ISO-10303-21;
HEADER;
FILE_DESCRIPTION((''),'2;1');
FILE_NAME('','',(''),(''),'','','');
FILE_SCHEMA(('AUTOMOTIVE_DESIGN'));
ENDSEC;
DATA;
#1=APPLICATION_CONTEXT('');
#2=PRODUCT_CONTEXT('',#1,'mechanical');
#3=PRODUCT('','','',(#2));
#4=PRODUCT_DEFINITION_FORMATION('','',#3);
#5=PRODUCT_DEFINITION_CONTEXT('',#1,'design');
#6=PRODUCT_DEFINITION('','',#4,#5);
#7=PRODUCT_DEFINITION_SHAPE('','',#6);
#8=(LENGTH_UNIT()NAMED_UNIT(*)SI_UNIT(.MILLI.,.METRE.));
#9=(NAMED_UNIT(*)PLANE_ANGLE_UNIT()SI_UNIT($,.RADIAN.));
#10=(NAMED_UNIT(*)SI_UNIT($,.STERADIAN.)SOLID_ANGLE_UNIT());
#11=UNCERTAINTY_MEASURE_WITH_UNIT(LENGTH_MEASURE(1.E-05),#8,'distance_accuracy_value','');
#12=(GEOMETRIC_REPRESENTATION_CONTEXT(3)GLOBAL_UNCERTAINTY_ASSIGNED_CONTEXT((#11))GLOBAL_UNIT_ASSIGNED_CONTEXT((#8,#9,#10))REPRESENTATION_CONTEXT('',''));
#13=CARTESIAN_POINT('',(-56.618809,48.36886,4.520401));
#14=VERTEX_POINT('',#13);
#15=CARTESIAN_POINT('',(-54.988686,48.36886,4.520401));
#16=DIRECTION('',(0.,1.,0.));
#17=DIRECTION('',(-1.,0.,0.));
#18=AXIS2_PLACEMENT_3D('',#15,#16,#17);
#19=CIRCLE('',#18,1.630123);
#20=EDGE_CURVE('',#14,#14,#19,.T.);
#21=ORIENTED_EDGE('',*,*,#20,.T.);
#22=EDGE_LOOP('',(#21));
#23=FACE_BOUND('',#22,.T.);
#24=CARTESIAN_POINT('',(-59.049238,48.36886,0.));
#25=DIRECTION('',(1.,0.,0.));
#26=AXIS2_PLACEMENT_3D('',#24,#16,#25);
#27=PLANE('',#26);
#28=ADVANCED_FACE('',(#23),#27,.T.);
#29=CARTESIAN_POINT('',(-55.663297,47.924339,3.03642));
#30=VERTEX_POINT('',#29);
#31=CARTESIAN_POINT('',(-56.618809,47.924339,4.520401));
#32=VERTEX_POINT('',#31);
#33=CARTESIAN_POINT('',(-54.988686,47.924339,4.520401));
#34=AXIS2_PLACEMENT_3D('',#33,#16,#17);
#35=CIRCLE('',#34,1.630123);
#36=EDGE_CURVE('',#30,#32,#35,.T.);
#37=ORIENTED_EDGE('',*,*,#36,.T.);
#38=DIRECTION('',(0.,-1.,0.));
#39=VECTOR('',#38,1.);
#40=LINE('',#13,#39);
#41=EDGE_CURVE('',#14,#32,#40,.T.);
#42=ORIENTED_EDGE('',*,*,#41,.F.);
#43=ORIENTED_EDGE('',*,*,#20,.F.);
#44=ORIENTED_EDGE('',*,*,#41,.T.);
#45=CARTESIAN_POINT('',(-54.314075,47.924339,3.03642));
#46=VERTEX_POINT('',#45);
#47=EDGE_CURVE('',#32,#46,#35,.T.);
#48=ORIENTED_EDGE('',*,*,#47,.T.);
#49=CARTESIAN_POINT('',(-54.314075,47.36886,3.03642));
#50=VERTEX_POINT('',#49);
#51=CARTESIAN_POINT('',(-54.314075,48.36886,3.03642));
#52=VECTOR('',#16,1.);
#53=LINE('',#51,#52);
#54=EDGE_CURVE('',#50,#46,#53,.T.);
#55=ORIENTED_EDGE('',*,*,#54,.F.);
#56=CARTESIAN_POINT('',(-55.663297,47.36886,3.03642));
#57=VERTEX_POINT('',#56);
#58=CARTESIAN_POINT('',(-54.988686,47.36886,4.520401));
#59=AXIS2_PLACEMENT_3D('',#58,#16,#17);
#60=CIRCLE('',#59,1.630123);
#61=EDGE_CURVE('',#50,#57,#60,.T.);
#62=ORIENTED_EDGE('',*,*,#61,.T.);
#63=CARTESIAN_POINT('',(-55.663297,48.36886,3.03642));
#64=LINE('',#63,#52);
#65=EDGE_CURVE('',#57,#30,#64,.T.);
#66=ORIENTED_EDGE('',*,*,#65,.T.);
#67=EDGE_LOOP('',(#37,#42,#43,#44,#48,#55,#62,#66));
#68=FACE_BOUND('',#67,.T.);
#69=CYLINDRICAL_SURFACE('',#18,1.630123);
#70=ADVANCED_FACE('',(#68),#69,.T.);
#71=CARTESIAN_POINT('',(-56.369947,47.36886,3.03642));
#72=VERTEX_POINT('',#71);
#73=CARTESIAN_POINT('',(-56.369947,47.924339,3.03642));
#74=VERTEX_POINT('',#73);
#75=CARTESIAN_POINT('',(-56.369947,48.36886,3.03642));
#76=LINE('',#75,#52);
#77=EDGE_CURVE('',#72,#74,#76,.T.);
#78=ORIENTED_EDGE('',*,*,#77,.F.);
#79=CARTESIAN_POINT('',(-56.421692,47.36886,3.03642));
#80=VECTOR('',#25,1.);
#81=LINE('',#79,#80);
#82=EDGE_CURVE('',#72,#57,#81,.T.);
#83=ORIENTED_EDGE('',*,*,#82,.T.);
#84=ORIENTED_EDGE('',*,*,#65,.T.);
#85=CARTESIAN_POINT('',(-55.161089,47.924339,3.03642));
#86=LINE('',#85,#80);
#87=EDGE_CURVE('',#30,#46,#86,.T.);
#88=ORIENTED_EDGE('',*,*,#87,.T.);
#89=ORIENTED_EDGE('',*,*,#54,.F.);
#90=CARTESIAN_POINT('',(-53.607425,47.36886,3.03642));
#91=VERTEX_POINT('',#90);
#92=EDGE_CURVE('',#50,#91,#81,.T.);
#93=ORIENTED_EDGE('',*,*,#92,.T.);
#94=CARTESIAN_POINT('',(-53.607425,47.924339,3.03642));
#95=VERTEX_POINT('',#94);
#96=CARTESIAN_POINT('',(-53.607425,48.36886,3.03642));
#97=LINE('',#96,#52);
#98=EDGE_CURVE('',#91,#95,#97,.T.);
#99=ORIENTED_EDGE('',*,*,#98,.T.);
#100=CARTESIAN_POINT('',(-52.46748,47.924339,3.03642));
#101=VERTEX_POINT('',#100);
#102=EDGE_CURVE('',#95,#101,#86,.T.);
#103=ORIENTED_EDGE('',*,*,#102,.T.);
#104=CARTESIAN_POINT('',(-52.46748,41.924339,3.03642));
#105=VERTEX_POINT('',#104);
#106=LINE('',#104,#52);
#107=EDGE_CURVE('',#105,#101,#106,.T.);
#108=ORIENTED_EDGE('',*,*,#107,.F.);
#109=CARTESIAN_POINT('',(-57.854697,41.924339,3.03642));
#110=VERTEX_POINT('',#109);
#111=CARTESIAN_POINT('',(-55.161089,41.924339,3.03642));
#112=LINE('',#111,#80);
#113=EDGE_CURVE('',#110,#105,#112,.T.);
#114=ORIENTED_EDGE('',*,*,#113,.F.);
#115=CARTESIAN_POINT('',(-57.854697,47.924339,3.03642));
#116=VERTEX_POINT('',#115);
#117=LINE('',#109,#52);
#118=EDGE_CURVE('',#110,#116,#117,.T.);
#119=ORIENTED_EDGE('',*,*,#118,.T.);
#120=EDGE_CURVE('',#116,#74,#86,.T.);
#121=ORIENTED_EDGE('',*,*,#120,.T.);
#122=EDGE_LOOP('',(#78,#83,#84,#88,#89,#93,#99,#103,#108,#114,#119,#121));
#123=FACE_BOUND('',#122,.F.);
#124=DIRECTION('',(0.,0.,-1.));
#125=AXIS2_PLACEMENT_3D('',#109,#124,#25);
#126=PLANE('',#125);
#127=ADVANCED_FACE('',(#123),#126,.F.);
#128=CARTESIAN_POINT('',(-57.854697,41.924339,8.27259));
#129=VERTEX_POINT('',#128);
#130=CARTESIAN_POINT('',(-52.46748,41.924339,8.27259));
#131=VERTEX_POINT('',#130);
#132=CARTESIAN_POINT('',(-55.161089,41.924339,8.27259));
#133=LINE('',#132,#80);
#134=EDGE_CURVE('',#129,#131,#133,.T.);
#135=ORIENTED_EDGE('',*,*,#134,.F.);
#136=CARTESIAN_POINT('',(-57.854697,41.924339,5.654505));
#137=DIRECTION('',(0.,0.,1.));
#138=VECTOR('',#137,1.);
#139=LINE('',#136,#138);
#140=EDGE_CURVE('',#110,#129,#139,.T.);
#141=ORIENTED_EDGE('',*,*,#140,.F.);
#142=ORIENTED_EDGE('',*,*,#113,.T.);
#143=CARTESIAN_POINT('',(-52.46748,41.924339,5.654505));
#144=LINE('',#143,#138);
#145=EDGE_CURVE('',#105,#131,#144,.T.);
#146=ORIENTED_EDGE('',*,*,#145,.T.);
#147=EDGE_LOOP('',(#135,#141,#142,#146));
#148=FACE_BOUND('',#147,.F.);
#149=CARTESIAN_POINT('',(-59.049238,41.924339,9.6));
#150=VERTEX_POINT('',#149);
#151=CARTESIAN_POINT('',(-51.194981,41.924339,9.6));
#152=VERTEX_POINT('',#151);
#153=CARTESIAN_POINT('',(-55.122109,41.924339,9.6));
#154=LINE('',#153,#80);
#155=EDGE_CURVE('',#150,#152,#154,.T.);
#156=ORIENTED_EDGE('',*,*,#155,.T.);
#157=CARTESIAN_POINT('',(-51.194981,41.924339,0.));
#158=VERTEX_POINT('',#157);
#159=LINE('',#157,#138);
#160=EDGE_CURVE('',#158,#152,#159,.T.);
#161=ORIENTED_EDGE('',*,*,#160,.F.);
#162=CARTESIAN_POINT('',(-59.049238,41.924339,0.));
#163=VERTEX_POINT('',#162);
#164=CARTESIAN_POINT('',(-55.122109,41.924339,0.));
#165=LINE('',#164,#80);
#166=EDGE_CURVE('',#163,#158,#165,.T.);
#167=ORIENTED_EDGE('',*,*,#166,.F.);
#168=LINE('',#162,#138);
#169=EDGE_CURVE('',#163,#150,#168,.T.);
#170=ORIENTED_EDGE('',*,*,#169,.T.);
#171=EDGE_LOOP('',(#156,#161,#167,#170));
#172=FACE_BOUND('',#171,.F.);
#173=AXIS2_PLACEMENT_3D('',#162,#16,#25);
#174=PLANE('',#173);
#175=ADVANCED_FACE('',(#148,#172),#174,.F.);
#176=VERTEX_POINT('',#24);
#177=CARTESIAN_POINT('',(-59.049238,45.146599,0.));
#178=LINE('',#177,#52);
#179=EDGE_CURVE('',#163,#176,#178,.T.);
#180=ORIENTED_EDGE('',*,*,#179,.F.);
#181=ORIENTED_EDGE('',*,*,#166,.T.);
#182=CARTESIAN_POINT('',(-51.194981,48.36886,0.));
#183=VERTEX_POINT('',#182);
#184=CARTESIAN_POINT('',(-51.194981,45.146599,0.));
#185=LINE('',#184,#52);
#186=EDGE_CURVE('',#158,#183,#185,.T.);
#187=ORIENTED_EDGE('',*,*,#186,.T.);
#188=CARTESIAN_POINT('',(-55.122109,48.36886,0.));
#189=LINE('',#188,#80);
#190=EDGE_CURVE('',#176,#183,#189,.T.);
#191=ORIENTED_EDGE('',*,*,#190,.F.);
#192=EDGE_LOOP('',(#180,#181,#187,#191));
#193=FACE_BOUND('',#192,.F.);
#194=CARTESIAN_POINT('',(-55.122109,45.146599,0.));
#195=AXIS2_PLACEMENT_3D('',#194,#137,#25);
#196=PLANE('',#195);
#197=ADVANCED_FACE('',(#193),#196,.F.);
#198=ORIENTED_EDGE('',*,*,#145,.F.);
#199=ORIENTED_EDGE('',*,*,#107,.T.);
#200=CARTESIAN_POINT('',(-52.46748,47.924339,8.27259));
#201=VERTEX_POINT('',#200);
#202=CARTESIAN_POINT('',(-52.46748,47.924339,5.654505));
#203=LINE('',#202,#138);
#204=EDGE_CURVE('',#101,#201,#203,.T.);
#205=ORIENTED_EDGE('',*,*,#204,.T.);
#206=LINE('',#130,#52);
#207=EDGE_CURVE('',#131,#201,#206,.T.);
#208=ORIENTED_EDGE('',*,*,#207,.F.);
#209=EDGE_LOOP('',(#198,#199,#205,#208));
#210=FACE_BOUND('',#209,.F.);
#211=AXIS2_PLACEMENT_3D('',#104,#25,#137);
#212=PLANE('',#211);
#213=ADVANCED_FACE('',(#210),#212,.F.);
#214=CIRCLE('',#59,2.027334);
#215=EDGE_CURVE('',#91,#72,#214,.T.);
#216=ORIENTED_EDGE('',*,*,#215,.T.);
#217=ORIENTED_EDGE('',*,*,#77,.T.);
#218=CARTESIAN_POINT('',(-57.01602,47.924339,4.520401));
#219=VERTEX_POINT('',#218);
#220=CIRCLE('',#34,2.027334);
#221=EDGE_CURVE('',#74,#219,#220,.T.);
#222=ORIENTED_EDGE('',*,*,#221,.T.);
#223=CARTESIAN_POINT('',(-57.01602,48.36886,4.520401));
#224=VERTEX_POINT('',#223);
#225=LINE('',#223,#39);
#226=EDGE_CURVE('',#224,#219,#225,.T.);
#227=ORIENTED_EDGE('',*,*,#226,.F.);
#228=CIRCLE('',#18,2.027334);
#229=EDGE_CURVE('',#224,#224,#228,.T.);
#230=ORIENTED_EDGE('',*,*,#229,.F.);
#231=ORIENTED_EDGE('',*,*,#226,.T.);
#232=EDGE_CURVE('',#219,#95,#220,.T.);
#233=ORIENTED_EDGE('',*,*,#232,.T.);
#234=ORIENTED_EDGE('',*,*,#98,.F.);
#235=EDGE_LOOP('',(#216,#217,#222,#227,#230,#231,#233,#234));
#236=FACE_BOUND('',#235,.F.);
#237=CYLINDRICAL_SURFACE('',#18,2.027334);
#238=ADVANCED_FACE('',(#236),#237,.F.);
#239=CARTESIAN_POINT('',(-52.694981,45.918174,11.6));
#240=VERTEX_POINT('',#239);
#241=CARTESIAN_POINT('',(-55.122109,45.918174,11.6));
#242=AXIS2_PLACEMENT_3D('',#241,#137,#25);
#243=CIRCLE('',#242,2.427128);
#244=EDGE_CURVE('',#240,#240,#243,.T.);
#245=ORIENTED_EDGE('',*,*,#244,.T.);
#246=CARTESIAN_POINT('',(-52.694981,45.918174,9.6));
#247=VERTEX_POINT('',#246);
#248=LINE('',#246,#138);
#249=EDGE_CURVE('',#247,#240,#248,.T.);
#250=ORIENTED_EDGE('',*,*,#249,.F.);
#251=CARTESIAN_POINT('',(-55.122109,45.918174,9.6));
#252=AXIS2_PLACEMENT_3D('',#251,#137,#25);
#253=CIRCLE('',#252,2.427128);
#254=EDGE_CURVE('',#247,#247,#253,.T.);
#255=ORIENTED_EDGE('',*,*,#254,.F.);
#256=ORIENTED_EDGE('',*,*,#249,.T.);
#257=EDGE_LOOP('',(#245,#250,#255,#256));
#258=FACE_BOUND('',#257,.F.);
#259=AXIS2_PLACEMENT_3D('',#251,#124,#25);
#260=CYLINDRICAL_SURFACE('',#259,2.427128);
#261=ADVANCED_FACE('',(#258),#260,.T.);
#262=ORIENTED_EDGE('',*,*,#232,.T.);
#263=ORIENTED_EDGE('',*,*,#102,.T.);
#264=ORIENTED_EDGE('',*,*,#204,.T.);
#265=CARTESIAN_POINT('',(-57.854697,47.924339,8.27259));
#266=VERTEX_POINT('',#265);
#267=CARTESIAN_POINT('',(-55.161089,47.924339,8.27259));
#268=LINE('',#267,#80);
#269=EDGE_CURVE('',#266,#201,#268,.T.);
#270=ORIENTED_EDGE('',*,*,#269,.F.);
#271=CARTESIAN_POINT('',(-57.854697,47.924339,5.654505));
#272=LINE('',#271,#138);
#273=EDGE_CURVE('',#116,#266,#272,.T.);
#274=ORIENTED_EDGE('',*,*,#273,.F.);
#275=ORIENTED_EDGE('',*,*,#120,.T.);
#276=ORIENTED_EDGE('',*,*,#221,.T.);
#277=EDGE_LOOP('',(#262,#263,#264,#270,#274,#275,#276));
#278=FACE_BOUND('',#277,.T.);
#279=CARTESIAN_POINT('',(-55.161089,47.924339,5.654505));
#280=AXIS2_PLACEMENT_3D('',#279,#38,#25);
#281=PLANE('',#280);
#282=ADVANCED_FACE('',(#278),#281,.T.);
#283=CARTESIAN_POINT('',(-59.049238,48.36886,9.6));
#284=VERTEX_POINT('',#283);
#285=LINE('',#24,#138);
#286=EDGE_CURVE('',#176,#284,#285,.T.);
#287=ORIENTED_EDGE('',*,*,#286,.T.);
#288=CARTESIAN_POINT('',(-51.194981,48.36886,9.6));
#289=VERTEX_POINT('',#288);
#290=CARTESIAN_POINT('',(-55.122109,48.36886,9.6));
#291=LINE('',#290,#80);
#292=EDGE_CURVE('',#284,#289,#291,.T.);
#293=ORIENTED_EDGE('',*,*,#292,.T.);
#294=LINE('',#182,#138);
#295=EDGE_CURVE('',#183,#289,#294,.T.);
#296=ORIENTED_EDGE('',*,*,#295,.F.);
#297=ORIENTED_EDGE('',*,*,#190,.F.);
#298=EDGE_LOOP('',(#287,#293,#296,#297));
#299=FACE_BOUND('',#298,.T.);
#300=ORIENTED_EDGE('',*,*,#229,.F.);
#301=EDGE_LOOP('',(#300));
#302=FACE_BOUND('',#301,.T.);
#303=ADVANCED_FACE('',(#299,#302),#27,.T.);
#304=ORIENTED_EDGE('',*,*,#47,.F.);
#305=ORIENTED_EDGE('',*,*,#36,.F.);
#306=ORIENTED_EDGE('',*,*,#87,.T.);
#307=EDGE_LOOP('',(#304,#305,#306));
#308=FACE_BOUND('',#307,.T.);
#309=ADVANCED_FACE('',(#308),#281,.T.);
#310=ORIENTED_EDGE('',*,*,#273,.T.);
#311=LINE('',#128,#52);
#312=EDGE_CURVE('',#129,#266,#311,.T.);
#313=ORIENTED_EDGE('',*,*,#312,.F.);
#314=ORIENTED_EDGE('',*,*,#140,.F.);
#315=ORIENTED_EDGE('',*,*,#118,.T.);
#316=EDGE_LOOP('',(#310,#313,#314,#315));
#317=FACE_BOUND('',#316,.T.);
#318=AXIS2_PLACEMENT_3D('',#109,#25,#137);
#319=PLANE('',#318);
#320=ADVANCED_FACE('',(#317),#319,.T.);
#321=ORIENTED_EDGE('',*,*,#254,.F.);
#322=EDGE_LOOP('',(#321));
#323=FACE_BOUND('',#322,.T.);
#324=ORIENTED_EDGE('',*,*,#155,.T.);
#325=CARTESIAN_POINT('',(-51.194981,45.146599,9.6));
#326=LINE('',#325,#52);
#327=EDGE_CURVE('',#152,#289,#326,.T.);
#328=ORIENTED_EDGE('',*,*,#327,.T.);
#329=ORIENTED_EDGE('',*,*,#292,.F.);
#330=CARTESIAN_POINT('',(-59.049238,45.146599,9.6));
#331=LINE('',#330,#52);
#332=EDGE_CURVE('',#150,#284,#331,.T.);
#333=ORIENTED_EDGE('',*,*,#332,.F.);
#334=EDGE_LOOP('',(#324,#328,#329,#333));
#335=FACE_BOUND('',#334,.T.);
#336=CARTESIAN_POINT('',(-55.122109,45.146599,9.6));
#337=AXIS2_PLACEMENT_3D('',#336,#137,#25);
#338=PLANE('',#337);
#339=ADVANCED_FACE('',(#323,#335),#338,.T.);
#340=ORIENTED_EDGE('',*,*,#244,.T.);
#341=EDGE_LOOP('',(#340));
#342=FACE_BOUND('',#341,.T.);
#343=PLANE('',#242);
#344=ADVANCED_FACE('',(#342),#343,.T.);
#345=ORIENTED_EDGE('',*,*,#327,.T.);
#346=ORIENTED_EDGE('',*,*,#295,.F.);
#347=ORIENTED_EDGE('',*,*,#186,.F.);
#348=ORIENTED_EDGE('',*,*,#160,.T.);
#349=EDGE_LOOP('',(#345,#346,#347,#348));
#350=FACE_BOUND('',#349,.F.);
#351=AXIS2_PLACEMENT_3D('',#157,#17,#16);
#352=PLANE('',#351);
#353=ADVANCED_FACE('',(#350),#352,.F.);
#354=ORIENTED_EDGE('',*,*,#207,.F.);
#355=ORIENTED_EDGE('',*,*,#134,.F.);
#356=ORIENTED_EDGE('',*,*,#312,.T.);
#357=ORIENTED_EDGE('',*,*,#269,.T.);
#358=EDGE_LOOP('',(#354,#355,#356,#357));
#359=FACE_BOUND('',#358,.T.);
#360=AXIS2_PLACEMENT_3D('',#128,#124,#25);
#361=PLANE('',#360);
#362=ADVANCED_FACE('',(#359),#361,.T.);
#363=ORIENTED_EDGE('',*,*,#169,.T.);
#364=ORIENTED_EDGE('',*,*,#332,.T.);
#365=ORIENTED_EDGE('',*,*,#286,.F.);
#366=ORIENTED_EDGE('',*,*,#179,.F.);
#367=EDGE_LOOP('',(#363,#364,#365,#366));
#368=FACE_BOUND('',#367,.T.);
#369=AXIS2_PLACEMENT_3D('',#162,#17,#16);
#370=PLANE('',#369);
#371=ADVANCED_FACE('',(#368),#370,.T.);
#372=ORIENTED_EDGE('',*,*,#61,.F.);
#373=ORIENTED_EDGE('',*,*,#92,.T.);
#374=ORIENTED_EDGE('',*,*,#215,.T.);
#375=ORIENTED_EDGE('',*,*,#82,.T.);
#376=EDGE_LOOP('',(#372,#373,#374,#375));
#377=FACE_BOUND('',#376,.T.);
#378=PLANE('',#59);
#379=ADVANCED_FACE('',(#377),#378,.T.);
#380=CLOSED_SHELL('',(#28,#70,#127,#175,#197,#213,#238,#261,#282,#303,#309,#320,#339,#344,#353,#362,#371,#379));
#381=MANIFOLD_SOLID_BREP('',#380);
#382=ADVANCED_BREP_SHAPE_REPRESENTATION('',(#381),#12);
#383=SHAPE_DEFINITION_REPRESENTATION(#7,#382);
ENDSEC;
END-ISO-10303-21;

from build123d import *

# Parameters (mm, degrees)
F0_W     = 7.854256779
F0_H     = 6.4445212483
F1_DEPTH = 9.6
F2_R     = 2.4271283895
F3_DEPTH = 2
F4_W     = 5.3872168064
F4_H     = 5.2361704875
F5_DEPTH = 6
F6_R     = 2.0273342164
F6_R_2   = 1.6301233672
F7_DEPTH = 1


with BuildPart() as f1:
    # F0 (on Top) → F1 (new body)
    with BuildSketch(Plane.XY):
        with Locations((-55.12210913, 45.146599412)):
            Rectangle(F0_W, F0_H)
    extrude(amount=F1_DEPTH)

    # F2 (on face) → F3 (join)
    with BuildSketch(Plane.XY.offset(9.6)):
        with Locations((-55.12210913, 45.918174088)):
            Circle(F2_R)
    extrude(amount=F3_DEPTH)

    # F4 (on face) → F5 (cut)
    with BuildSketch(Plane.XZ.offset(-41.9243387878)):
        with Locations((-55.1610887051, 5.6545048719)):
            Rectangle(F4_W, F4_H)
    extrude(amount=-F5_DEPTH, mode=Mode.SUBTRACT)

    # F6 (on face) → F7 (cut)
    with BuildSketch(Plane(origin=(0, 48.3688600361, 0), x_dir=(-1, 0, 0), z_dir=(0, 1, 0))):
        with Locations((54.9886859953, 4.5204013586)):
            Circle(F6_R)
        with Locations((54.9886859953, 4.5204013586)):
            Circle(F6_R_2, mode=Mode.SUBTRACT)
    extrude(amount=-F7_DEPTH, mode=Mode.SUBTRACT)


solid = f1.part
